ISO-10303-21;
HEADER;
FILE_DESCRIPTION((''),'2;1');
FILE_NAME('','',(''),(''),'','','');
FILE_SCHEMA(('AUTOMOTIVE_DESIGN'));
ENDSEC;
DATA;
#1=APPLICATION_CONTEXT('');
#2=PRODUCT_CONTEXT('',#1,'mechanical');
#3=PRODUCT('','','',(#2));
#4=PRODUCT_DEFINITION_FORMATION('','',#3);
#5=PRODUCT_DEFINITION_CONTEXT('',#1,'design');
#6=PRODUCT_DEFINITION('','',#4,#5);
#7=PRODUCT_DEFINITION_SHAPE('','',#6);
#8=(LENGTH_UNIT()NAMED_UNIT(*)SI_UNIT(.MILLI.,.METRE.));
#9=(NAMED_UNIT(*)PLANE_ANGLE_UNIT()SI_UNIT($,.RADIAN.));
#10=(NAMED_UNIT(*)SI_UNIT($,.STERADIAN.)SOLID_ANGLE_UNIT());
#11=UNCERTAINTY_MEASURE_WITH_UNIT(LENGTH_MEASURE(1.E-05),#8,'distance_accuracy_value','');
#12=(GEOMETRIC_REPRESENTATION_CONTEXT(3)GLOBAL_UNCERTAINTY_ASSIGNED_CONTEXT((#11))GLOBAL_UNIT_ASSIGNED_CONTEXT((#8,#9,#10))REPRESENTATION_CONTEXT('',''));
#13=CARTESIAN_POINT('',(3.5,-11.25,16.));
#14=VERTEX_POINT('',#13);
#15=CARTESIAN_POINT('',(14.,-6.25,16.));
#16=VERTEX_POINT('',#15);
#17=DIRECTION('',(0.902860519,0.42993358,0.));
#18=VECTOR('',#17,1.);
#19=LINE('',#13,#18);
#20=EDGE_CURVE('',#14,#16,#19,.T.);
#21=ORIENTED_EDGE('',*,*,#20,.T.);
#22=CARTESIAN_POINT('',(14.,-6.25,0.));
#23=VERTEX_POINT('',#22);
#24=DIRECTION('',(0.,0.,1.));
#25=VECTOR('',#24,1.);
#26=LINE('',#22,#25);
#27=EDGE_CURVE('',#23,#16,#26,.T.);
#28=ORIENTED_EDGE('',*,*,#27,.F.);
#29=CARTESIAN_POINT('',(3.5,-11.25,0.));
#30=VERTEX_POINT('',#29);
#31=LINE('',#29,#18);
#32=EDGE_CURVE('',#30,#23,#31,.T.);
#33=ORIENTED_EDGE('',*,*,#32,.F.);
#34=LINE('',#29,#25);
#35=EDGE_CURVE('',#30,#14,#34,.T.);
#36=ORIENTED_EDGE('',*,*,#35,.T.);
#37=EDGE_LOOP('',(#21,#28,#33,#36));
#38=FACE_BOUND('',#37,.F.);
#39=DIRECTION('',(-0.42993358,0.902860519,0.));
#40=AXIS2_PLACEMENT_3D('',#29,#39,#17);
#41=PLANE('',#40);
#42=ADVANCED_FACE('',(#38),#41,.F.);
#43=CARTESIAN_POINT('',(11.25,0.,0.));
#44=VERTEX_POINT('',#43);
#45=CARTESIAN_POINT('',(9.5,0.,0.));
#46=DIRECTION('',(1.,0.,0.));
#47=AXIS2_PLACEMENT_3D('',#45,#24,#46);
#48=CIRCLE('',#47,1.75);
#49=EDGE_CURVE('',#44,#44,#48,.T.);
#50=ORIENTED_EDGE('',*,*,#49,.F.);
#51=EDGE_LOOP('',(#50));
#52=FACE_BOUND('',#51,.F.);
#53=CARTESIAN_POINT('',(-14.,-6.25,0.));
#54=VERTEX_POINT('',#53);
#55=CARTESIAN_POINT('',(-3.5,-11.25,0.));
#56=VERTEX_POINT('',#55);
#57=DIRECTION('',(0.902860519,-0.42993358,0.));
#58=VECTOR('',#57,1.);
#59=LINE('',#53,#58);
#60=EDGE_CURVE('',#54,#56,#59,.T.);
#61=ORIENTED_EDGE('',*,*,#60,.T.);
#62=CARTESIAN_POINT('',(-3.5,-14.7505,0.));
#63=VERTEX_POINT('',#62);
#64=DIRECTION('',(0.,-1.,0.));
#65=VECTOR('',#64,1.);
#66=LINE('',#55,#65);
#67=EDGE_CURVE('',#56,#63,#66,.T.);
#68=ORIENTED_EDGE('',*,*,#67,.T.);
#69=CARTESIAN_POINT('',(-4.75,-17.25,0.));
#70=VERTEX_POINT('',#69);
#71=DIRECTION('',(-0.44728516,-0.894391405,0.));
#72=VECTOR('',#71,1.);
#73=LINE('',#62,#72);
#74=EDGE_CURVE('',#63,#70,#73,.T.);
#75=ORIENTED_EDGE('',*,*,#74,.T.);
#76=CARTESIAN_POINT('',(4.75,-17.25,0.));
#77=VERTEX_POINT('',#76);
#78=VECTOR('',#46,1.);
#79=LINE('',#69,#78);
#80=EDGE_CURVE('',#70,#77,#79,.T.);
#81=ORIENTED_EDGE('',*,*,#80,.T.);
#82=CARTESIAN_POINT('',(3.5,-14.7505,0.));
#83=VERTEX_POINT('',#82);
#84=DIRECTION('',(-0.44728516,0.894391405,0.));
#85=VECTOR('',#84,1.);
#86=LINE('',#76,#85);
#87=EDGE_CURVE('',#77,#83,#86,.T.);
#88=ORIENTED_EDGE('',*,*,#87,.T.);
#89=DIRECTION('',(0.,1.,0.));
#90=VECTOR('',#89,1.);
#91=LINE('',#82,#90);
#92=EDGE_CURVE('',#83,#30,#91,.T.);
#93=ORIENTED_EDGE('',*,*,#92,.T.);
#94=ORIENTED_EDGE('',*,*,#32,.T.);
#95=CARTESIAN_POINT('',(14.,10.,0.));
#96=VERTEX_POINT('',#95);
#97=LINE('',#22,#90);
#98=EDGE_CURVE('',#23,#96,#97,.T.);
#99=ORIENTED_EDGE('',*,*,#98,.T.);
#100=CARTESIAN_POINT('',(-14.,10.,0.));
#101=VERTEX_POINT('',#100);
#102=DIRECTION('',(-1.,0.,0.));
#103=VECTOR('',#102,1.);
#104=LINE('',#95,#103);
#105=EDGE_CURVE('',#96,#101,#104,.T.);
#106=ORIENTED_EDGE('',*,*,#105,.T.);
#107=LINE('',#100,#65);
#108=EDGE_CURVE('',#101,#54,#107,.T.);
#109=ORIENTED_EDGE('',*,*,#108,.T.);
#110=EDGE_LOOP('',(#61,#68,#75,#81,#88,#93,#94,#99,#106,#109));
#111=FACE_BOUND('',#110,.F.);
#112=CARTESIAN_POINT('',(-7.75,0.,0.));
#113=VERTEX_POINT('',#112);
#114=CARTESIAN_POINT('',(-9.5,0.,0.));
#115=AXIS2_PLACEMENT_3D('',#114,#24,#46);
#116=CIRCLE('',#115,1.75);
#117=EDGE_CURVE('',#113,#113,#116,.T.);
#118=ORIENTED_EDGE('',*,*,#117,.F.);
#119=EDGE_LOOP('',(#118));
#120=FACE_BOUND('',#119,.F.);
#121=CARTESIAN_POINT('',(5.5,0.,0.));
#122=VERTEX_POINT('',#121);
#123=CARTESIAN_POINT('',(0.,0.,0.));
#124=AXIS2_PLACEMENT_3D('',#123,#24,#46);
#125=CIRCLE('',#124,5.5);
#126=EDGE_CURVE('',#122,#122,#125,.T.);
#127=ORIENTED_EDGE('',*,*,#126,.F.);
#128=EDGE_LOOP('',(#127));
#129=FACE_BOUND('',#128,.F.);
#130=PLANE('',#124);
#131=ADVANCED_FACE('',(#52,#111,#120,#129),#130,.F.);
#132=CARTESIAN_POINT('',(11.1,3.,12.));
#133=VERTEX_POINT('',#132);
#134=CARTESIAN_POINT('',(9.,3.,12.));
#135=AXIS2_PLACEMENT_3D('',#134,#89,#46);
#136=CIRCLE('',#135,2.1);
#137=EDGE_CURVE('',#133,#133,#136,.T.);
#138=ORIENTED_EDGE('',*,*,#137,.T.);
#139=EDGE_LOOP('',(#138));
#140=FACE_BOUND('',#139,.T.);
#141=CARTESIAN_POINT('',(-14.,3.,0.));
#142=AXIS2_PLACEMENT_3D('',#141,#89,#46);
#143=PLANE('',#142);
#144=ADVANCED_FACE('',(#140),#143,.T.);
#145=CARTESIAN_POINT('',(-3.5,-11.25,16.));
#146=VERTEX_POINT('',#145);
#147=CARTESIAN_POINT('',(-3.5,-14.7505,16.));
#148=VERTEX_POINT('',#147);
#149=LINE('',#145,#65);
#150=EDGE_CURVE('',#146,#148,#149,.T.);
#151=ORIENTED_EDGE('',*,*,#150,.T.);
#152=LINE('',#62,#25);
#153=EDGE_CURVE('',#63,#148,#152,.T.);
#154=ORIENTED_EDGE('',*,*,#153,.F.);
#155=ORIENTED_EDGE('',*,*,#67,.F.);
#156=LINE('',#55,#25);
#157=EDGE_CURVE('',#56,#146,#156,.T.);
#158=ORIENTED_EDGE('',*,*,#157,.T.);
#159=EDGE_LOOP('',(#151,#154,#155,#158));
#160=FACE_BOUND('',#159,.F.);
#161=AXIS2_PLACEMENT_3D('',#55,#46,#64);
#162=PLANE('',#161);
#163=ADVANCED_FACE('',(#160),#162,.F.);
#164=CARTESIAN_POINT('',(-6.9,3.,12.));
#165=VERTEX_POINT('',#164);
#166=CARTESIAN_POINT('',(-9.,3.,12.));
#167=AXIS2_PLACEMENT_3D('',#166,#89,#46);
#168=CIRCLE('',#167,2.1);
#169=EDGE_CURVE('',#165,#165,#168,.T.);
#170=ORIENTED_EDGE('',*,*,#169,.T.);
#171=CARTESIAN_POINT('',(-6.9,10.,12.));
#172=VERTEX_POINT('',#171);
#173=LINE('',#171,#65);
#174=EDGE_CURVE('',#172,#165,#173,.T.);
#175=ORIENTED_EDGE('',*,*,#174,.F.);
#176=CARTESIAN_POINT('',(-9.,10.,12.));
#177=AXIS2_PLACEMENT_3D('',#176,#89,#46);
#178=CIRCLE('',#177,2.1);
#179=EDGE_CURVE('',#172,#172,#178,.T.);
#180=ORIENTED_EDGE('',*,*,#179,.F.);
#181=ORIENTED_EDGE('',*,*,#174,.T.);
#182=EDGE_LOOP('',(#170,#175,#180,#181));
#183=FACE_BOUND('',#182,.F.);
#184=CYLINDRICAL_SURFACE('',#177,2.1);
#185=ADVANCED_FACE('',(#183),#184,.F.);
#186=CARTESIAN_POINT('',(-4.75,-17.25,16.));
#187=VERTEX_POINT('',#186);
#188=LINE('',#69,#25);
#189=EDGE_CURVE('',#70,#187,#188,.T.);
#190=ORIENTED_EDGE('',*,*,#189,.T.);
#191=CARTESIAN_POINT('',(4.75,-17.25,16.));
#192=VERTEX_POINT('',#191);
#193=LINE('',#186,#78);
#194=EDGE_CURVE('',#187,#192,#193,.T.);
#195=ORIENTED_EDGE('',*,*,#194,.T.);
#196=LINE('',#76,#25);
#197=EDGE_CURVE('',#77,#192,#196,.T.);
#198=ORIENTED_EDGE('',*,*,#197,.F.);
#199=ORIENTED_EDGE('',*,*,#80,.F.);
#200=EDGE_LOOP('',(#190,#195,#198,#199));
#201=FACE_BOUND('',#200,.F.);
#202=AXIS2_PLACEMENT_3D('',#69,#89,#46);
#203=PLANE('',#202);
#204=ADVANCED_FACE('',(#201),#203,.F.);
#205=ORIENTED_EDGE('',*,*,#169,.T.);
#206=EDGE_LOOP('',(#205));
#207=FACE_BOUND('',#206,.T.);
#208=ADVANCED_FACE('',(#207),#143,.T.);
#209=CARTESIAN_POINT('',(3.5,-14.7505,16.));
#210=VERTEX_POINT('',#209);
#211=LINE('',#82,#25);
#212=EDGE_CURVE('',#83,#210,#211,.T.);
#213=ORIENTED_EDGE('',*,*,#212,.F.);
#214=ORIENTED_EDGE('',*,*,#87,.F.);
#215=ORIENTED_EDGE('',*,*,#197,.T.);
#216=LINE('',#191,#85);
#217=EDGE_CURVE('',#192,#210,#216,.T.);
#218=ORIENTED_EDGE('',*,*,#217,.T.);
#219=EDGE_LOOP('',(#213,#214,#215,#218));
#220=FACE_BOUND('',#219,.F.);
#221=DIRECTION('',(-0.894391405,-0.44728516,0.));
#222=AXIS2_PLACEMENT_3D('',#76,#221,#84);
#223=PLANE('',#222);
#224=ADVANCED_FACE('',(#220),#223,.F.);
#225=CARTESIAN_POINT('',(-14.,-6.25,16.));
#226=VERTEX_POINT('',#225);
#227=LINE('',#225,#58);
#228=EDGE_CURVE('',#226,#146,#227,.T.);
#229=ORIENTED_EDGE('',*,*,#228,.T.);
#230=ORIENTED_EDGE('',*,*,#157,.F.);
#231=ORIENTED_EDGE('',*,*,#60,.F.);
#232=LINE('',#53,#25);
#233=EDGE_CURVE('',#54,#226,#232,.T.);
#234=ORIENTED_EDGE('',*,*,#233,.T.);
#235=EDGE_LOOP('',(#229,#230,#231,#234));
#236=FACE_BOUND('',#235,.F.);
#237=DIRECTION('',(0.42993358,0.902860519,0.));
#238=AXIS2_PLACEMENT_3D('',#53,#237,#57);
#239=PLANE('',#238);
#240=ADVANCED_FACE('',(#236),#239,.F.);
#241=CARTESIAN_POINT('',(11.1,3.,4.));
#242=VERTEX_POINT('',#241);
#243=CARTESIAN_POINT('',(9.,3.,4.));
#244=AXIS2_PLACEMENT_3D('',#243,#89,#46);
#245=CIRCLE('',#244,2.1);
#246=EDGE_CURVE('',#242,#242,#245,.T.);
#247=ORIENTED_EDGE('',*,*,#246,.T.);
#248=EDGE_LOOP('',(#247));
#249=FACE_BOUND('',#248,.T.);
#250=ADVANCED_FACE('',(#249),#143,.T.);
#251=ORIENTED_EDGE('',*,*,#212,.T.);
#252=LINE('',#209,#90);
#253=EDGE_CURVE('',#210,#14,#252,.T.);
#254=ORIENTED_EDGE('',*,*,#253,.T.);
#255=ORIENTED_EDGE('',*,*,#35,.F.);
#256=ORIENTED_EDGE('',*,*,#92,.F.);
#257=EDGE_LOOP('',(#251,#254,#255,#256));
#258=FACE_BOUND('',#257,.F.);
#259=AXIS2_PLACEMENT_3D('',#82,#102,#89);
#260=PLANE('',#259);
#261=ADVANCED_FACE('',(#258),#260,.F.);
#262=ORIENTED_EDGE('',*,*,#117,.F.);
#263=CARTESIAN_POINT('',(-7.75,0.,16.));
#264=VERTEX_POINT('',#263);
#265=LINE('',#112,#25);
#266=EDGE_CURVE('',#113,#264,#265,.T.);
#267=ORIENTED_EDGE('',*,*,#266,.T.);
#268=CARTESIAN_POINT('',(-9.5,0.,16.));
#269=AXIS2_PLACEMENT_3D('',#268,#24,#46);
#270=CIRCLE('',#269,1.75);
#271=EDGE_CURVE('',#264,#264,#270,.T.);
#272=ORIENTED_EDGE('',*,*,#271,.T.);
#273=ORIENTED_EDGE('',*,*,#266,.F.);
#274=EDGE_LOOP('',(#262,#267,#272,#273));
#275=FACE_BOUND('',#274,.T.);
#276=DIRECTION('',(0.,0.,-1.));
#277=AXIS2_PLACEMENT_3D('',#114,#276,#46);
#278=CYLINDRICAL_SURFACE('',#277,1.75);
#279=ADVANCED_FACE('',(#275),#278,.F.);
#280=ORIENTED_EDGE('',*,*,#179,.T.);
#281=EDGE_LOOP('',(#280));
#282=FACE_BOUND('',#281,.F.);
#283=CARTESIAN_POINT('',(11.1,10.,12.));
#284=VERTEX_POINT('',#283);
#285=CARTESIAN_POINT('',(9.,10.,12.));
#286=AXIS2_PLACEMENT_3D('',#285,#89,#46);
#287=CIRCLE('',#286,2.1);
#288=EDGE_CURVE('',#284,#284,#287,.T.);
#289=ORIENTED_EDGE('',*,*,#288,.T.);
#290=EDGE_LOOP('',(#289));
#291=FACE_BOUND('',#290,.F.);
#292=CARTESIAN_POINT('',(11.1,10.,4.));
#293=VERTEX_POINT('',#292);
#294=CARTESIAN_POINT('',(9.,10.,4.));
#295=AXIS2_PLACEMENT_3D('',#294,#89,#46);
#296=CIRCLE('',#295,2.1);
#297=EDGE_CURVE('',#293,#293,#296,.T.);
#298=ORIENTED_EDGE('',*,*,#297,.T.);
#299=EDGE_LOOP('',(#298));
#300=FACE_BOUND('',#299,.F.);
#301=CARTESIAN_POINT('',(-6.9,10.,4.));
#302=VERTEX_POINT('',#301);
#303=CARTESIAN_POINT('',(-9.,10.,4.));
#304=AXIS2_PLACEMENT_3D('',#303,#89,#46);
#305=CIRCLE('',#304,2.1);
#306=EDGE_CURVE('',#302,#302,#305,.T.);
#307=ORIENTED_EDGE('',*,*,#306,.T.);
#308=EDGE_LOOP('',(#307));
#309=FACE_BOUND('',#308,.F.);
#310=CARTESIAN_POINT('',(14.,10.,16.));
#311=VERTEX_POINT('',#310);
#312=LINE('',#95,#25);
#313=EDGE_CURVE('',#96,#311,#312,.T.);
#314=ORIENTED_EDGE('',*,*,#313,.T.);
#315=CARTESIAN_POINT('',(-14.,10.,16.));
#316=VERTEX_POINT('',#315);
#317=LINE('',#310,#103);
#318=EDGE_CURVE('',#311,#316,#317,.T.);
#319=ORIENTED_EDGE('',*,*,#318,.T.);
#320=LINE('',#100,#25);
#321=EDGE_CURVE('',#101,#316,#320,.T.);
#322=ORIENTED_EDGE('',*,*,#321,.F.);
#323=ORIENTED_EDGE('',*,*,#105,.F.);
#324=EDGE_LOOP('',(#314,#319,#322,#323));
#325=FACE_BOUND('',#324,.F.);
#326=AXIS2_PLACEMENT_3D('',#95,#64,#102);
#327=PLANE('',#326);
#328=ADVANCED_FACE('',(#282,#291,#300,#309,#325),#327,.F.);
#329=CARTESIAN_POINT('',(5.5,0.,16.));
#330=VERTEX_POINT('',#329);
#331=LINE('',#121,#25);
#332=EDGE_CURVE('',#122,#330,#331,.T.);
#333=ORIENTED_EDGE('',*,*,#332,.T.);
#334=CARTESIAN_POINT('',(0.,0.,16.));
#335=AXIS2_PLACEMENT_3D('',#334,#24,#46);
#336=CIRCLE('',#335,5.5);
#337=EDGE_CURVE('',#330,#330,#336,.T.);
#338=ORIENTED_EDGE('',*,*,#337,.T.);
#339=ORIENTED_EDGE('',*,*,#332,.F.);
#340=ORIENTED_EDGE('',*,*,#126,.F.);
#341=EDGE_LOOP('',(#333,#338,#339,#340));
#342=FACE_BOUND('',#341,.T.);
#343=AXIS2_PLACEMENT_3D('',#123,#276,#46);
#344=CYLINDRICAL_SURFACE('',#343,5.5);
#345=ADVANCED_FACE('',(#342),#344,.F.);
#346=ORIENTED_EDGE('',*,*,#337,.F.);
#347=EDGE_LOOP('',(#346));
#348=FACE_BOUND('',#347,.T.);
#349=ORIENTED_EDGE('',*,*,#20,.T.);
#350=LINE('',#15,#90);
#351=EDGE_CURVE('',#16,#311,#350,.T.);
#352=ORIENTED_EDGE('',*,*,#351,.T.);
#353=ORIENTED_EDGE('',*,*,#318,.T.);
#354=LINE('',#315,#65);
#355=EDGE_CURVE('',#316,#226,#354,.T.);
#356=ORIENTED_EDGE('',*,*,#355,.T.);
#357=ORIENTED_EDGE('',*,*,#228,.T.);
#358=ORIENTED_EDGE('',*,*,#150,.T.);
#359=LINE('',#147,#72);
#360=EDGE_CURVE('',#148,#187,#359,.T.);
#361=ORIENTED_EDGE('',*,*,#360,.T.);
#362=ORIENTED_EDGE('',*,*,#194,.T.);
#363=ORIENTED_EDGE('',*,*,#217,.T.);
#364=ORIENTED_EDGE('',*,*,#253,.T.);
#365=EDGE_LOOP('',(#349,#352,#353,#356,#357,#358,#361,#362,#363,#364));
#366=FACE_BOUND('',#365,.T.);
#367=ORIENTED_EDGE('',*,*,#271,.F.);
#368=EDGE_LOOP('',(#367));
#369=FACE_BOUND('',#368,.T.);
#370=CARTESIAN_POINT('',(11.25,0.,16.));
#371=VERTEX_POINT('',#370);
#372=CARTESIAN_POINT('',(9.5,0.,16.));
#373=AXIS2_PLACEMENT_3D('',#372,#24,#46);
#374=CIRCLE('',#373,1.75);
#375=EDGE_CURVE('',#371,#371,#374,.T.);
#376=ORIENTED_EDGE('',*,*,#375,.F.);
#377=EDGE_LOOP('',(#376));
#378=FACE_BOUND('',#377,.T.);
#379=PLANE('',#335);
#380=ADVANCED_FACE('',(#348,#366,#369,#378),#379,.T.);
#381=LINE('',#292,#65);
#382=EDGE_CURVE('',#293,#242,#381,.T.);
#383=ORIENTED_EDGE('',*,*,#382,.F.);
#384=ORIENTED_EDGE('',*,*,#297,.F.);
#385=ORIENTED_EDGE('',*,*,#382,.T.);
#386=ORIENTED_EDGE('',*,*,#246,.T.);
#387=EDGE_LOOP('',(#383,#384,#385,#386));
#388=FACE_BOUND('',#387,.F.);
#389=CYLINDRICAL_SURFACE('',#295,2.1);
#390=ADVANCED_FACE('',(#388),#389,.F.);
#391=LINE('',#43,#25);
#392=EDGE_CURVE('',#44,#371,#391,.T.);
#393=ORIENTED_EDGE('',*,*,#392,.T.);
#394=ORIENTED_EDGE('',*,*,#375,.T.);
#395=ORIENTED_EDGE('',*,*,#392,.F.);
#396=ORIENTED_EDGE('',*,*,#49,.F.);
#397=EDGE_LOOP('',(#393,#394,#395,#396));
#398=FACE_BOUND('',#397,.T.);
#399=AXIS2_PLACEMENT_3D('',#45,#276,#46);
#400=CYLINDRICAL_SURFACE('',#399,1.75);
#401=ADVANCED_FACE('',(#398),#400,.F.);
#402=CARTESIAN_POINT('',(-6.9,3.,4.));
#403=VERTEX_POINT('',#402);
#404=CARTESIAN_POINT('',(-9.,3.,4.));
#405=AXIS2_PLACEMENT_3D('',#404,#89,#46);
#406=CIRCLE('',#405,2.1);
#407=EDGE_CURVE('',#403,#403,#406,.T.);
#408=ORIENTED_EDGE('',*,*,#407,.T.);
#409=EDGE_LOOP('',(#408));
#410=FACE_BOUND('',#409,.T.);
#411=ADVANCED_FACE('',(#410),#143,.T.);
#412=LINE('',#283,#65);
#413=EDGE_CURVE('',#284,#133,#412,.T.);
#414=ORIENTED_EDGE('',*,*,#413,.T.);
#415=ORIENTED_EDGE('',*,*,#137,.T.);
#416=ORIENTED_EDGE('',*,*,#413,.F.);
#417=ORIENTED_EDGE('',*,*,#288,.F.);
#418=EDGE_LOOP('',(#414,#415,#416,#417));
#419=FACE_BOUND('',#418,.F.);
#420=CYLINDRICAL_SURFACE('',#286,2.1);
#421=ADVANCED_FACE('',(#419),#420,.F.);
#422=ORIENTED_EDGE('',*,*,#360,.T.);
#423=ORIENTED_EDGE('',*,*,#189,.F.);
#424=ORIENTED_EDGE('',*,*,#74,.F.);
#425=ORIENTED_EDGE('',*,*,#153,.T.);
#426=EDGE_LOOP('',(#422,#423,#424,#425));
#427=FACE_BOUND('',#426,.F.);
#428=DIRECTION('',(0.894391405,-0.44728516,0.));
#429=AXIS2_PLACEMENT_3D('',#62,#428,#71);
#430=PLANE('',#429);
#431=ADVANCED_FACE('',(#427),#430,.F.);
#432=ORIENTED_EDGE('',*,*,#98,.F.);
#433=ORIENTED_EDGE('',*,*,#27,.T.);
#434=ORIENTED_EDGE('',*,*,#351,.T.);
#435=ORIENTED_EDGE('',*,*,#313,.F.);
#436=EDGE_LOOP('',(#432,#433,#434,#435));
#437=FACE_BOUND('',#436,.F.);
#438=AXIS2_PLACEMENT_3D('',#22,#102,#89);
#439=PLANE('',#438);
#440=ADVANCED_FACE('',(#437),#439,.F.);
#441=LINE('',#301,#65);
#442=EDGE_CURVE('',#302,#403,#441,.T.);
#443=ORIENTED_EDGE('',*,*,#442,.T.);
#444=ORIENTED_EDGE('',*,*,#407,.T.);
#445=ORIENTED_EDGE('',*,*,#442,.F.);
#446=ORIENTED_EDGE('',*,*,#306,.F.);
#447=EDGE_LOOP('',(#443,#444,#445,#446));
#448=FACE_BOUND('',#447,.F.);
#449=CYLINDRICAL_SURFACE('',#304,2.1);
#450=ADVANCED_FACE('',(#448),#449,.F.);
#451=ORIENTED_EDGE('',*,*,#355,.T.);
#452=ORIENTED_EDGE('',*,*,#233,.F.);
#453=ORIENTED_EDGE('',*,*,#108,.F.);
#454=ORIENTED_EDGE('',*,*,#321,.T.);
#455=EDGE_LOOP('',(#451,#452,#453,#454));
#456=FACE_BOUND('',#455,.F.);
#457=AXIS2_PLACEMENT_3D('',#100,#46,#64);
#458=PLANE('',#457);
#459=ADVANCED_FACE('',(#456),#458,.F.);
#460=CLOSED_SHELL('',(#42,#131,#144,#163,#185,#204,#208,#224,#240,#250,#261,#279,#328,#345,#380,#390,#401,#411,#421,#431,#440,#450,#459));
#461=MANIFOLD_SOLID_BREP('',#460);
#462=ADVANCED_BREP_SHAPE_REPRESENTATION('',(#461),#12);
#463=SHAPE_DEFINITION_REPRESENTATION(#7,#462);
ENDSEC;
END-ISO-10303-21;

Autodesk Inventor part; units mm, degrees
ref_plane "YZ Plane" through (0, 0, 0) normal (1, 0, 0) x (0, 1, 0)
ref_plane "XZ Plane" through (0, 0, 0) normal (0, 1, 0) x (-1, 0, 0)
ref_plane "XY Plane" through (0, 0, 0) normal (0, 0, 1) x (1, 0, 0)
sketch "Sketch1" plane through (0, 0, 0) normal (0, 0, 1) x (1, 0, 0)
  line L0 (-3.5, -11.25) -> (-3.5, -14.7505)
  line L1 (-3.5, -14.7505) -> (-4.75, -17.25)
  line L2 (-4.75, -17.25) -> (4.75, -17.25)
  line L3 (4.75, -17.25) -> (3.5, -14.7505)
  line L4 (3.5, -14.7505) -> (3.5, -11.25)
  line L5 (3.5, -11.25) -> (14, -6.25)
  line L6 (14, -6.25) -> (14, 10)
  line L7 (14, 10) -> (-14, 10)
  line L8 (-14, 10) -> (-14, -6.25)
  line L9 (-14, -6.25) -> (-3.5, -11.25)
  circle A0 centre (0, 0) radius 5.5
  circle A1 centre (-9.5, 0) radius 1.75
  circle A2 centre (9.5, 0) radius 1.75
  point P0 (0, 10)
  point P1 (0, -17.25)
  dimension "d0" = 11
  dimension "d1" = 17.25
  dimension "d2" = 7
  dimension "d3" = 9.5
  dimension "d4" = 63.43
  dimension "d5" = 6
  dimension "d6" = 5
  dimension "d7" = 28
  dimension "d8" = 3.5
  dimension "d9" = 19
  dimension "d10" = 9.5
  dimension "d11" = 10
extrude "Extrusion1" add sketch "Sketch1" along normal blind 16
sketch "Sketch2" plane through (-14, 10, 0) normal (0, 1, 0) x (1, 0, 0)
  circle A0 centre (5, -4) radius 2.1
  circle A1 centre (5, -12) radius 2.1
  circle A2 centre (23, -12) radius 2.1
  circle A3 centre (23, -4) radius 2.1
  line L0 (28, 0) -> (0, 0) projected
  line L1 (28, -16) -> (0, -16) projected
  point P0 (14, 0)
  dimension "d14" = 18
  dimension "d15" = 9
  dimension "d17" = 4
  dimension "d18" = 4.2
  dimension "d19" = 4
extrude "Extrusion2" cut sketch "Sketch2" against normal blind 7
equation "\"d10\" = 0.5 * d9"
equation "\"d15\" = 0.5 * d14"
equation "\"d19\" = d17"
properties part number "Slider"
